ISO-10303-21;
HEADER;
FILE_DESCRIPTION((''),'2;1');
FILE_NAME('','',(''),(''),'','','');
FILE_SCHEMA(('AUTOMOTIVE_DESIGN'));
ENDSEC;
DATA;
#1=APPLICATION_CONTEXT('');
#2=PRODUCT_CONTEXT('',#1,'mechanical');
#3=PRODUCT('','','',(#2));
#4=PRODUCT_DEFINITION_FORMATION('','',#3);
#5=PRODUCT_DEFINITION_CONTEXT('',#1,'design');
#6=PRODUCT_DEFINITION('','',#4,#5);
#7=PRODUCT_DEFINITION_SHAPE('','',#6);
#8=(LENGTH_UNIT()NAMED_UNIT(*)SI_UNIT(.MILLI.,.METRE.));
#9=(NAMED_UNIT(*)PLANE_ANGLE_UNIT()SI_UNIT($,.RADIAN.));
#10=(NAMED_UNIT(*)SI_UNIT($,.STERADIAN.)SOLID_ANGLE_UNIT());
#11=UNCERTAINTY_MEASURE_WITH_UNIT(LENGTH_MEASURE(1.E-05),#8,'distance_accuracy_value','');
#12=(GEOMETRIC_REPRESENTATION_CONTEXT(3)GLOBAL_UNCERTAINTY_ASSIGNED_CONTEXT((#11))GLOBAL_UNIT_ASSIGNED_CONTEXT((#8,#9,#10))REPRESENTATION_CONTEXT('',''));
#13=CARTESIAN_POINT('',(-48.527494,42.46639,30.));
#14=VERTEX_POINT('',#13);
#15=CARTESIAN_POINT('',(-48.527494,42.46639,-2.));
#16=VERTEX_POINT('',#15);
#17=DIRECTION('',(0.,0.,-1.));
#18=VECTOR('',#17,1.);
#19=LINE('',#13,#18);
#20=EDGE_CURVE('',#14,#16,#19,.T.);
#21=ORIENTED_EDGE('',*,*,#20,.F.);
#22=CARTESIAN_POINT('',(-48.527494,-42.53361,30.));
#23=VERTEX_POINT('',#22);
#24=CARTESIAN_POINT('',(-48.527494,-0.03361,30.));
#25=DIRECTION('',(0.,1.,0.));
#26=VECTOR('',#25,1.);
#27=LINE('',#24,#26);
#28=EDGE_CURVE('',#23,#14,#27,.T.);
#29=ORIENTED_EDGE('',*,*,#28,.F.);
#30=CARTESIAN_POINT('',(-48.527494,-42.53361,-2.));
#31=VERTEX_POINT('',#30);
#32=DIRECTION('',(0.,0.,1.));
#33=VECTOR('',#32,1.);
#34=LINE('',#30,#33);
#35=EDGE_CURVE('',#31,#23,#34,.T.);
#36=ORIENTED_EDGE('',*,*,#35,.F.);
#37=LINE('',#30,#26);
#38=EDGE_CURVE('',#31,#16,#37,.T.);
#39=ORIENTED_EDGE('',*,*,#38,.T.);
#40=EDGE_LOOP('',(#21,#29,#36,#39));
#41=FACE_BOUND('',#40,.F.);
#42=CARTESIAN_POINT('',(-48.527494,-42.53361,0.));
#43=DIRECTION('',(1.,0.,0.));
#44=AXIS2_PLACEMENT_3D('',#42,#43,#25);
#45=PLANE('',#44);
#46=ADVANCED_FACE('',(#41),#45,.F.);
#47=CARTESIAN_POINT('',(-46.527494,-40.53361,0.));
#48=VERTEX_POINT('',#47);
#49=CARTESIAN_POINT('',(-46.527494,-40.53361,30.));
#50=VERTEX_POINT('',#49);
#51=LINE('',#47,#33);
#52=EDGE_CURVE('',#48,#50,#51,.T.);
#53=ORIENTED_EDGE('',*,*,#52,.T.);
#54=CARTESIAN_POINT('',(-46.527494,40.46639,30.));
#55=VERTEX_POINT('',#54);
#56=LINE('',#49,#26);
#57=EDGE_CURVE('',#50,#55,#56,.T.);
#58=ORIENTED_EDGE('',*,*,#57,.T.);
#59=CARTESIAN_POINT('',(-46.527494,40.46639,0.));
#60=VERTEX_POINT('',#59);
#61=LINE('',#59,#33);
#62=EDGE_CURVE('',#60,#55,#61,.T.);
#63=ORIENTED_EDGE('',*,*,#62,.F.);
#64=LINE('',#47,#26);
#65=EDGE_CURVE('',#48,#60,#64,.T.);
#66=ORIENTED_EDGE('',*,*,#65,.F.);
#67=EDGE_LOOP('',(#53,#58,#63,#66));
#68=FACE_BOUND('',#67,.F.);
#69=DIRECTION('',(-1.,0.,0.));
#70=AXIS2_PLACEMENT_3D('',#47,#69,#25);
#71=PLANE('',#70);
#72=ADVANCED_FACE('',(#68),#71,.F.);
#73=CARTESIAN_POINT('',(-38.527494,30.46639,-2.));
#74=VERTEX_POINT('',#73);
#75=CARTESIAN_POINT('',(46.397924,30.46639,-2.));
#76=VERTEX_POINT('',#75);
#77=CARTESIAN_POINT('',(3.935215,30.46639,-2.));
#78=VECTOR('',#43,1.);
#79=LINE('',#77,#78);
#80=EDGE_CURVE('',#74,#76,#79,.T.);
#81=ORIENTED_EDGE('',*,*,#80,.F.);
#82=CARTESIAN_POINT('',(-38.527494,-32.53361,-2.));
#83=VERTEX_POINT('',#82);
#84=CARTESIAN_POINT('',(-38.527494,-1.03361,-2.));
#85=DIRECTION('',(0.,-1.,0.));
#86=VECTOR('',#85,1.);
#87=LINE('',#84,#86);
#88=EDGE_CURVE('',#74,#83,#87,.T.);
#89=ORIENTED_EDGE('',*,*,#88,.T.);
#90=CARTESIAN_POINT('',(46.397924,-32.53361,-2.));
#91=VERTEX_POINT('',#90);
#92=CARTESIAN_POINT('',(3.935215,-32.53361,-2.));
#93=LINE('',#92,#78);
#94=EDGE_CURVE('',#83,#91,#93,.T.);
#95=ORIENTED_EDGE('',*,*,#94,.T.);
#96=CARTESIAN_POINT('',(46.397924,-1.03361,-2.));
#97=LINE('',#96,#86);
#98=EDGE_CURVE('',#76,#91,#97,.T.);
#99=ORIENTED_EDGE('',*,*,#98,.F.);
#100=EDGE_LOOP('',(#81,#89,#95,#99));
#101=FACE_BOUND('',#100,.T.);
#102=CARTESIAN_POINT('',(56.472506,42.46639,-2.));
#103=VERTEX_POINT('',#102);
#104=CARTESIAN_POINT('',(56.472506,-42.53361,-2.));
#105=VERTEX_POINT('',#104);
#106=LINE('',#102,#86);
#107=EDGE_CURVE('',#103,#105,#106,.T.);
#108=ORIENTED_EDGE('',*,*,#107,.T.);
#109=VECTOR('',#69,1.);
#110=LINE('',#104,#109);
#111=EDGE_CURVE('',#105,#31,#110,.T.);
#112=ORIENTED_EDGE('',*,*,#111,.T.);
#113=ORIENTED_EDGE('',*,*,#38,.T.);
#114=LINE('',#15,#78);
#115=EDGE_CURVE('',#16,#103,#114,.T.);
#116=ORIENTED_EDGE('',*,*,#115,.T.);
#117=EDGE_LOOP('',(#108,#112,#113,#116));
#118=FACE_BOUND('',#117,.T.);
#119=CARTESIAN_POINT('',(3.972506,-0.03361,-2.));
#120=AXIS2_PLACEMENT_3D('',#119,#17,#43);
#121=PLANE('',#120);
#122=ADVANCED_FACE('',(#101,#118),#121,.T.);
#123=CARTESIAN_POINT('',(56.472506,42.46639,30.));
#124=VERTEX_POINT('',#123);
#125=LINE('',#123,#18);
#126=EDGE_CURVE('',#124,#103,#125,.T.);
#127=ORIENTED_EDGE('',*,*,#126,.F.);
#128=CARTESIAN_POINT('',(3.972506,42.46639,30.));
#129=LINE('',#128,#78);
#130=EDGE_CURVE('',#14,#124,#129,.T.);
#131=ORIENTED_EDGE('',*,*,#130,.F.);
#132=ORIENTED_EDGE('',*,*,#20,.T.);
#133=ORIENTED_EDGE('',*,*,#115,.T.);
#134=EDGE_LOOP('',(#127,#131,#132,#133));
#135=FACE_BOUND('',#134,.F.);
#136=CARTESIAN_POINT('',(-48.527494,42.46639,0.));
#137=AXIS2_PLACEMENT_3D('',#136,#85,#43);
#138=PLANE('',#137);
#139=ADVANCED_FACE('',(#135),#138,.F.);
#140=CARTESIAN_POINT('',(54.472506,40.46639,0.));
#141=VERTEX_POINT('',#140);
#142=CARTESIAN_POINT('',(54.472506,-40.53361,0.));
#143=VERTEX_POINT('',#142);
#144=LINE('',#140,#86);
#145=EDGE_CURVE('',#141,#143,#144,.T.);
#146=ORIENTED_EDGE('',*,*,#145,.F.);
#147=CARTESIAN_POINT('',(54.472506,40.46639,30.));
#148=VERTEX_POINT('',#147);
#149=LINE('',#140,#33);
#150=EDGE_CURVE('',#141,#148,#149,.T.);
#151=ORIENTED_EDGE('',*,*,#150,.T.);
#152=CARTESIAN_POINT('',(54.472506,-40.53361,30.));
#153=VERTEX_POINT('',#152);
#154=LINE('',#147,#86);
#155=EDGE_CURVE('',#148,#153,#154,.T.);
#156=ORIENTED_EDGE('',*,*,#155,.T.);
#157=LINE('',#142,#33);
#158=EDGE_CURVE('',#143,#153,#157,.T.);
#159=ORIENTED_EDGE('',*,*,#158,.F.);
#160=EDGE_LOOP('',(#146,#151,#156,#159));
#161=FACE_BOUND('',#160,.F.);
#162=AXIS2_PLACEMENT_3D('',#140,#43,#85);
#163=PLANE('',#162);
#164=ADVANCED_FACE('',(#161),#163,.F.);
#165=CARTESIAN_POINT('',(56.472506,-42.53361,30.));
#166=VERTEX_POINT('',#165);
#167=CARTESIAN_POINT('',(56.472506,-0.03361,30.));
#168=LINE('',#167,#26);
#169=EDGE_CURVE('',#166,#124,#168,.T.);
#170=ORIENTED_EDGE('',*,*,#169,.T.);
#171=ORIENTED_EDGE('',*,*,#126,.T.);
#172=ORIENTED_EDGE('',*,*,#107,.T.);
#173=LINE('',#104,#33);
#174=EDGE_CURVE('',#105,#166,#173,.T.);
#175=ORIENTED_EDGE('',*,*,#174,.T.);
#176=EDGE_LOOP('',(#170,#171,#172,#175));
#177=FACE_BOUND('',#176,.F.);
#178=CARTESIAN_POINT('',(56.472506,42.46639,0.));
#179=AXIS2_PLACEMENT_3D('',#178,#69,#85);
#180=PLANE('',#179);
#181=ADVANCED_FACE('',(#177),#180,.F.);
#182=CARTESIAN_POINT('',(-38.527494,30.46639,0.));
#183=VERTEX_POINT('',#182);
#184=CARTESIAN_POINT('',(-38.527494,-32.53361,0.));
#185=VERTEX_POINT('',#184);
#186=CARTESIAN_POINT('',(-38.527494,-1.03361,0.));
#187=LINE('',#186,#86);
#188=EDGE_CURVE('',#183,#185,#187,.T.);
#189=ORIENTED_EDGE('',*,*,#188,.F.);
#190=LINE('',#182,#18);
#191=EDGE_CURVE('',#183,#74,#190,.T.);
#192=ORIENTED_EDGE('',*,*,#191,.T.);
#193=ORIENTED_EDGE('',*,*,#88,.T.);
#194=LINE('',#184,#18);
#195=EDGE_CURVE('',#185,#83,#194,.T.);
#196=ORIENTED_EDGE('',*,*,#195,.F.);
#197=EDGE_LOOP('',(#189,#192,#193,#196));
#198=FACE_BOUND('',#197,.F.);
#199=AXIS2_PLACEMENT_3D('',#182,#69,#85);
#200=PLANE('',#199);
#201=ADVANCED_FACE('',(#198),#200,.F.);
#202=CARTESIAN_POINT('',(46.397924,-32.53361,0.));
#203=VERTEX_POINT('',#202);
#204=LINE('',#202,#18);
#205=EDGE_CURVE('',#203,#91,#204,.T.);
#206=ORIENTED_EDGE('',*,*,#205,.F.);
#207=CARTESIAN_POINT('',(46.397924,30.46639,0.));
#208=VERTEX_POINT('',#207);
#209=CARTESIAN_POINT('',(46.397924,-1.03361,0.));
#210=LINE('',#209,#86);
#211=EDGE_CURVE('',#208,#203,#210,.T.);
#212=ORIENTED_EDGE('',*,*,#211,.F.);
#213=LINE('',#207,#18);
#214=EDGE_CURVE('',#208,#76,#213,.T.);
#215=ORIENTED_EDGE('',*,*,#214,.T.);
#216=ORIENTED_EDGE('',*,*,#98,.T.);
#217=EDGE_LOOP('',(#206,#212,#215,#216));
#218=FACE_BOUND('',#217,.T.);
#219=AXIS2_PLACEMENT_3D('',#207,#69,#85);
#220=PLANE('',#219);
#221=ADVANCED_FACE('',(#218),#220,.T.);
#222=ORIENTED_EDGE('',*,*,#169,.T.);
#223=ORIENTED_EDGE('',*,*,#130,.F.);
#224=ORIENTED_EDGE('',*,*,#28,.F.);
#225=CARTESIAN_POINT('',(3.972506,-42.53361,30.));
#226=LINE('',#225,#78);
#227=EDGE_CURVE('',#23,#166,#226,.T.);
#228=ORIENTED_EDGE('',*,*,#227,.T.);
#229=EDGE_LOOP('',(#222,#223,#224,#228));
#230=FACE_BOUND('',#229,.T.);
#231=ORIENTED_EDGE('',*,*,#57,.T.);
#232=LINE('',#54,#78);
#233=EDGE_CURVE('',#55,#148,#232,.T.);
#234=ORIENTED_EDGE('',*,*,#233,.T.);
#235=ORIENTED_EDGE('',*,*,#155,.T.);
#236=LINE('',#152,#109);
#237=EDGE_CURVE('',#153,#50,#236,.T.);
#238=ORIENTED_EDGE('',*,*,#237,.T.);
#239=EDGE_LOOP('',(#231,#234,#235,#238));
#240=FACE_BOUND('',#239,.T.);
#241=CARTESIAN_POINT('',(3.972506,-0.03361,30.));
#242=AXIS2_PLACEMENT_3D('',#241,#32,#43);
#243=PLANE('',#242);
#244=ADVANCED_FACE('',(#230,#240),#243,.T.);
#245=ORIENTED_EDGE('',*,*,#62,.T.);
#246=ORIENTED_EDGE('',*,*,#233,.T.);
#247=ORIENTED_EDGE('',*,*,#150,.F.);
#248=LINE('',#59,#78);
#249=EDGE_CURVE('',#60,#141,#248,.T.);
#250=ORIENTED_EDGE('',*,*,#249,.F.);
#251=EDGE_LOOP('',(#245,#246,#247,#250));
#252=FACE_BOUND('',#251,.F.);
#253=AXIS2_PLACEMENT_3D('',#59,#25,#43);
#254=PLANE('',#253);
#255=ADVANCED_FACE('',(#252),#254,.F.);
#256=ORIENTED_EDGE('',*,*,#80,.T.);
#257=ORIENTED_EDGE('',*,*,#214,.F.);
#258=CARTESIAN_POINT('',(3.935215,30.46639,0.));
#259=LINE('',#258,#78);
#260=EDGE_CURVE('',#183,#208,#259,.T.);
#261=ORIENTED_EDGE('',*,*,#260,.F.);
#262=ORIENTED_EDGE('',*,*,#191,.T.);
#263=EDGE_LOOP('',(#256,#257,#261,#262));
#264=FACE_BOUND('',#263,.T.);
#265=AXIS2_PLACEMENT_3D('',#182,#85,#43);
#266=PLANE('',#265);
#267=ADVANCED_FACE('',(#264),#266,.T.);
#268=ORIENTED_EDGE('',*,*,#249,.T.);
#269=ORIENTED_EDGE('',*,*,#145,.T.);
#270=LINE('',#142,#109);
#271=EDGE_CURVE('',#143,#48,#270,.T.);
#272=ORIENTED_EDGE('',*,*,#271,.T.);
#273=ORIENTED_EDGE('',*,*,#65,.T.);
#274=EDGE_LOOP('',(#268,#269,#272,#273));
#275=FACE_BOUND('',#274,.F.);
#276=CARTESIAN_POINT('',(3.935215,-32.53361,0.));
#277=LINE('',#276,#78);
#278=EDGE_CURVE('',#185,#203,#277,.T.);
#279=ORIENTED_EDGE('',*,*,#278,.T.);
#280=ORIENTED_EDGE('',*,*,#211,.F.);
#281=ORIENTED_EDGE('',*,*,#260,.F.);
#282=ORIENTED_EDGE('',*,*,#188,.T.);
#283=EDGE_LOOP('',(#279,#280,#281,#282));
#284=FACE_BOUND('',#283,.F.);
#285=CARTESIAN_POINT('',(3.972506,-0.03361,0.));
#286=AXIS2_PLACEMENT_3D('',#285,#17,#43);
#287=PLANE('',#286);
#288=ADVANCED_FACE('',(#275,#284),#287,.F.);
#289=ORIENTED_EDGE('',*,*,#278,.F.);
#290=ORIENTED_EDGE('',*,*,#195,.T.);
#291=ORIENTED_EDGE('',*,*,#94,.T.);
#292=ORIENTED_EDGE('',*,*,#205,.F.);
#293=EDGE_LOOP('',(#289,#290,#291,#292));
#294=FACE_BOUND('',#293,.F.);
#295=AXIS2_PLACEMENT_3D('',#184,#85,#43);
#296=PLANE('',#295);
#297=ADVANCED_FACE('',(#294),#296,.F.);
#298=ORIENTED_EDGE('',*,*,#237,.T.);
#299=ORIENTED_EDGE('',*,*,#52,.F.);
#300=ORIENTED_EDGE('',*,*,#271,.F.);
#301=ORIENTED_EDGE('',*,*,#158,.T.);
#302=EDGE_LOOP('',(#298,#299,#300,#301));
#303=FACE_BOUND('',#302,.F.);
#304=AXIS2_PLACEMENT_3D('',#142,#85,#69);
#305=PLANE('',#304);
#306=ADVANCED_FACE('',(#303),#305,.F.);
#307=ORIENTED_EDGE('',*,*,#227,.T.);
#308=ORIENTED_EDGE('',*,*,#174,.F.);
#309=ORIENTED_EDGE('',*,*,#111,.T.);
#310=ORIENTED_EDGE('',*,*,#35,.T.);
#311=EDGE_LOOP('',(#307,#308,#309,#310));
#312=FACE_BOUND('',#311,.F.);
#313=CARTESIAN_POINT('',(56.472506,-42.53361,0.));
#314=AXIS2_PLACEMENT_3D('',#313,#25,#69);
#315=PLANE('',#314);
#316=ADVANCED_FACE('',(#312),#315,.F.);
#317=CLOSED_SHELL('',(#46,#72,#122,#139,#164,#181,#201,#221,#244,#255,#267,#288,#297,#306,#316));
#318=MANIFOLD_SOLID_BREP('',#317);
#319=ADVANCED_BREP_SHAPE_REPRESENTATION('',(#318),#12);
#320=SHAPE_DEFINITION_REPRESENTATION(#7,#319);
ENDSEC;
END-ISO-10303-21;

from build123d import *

# Parameters (mm, degrees)
F0_W     = 105
F0_H     = 85
F1_DEPTH = 30
F2_W     = 84.925418
F2_H     = 63
F3_DEPTH = 2


with BuildPart() as f1:
    # F0 (on Top) → F1 (new body)
    with BuildSketch(Plane.XY):
        with Locations((3.972506, -0.03361)):
            Rectangle(F0_W, F0_H)
        Polygon((-46.527494, -40.53361), (-46.527494, 11.643938), (-46.527494, 40.46639), (54.472506, 40.46639), (54.472506, -40.53361), align=None, mode=Mode.SUBTRACT)
    extrude(amount=F1_DEPTH)

    # F2 (on face) → F3 (join)
    with BuildSketch(Plane(origin=(0, 0, 0), x_dir=(1, 0, 0), z_dir=(0, 0, -1))):
        Polygon((-38.527494, 42.53361), (-48.527494, 42.53361), (-48.527494, -42.46639), (56.472506, -42.46639), (56.472506, 42.53361), align=None)
        with Locations((3.935215, 1.03361)):
            Rectangle(F2_W, F2_H, mode=Mode.SUBTRACT)
    extrude(amount=F3_DEPTH)


solid = f1.part
